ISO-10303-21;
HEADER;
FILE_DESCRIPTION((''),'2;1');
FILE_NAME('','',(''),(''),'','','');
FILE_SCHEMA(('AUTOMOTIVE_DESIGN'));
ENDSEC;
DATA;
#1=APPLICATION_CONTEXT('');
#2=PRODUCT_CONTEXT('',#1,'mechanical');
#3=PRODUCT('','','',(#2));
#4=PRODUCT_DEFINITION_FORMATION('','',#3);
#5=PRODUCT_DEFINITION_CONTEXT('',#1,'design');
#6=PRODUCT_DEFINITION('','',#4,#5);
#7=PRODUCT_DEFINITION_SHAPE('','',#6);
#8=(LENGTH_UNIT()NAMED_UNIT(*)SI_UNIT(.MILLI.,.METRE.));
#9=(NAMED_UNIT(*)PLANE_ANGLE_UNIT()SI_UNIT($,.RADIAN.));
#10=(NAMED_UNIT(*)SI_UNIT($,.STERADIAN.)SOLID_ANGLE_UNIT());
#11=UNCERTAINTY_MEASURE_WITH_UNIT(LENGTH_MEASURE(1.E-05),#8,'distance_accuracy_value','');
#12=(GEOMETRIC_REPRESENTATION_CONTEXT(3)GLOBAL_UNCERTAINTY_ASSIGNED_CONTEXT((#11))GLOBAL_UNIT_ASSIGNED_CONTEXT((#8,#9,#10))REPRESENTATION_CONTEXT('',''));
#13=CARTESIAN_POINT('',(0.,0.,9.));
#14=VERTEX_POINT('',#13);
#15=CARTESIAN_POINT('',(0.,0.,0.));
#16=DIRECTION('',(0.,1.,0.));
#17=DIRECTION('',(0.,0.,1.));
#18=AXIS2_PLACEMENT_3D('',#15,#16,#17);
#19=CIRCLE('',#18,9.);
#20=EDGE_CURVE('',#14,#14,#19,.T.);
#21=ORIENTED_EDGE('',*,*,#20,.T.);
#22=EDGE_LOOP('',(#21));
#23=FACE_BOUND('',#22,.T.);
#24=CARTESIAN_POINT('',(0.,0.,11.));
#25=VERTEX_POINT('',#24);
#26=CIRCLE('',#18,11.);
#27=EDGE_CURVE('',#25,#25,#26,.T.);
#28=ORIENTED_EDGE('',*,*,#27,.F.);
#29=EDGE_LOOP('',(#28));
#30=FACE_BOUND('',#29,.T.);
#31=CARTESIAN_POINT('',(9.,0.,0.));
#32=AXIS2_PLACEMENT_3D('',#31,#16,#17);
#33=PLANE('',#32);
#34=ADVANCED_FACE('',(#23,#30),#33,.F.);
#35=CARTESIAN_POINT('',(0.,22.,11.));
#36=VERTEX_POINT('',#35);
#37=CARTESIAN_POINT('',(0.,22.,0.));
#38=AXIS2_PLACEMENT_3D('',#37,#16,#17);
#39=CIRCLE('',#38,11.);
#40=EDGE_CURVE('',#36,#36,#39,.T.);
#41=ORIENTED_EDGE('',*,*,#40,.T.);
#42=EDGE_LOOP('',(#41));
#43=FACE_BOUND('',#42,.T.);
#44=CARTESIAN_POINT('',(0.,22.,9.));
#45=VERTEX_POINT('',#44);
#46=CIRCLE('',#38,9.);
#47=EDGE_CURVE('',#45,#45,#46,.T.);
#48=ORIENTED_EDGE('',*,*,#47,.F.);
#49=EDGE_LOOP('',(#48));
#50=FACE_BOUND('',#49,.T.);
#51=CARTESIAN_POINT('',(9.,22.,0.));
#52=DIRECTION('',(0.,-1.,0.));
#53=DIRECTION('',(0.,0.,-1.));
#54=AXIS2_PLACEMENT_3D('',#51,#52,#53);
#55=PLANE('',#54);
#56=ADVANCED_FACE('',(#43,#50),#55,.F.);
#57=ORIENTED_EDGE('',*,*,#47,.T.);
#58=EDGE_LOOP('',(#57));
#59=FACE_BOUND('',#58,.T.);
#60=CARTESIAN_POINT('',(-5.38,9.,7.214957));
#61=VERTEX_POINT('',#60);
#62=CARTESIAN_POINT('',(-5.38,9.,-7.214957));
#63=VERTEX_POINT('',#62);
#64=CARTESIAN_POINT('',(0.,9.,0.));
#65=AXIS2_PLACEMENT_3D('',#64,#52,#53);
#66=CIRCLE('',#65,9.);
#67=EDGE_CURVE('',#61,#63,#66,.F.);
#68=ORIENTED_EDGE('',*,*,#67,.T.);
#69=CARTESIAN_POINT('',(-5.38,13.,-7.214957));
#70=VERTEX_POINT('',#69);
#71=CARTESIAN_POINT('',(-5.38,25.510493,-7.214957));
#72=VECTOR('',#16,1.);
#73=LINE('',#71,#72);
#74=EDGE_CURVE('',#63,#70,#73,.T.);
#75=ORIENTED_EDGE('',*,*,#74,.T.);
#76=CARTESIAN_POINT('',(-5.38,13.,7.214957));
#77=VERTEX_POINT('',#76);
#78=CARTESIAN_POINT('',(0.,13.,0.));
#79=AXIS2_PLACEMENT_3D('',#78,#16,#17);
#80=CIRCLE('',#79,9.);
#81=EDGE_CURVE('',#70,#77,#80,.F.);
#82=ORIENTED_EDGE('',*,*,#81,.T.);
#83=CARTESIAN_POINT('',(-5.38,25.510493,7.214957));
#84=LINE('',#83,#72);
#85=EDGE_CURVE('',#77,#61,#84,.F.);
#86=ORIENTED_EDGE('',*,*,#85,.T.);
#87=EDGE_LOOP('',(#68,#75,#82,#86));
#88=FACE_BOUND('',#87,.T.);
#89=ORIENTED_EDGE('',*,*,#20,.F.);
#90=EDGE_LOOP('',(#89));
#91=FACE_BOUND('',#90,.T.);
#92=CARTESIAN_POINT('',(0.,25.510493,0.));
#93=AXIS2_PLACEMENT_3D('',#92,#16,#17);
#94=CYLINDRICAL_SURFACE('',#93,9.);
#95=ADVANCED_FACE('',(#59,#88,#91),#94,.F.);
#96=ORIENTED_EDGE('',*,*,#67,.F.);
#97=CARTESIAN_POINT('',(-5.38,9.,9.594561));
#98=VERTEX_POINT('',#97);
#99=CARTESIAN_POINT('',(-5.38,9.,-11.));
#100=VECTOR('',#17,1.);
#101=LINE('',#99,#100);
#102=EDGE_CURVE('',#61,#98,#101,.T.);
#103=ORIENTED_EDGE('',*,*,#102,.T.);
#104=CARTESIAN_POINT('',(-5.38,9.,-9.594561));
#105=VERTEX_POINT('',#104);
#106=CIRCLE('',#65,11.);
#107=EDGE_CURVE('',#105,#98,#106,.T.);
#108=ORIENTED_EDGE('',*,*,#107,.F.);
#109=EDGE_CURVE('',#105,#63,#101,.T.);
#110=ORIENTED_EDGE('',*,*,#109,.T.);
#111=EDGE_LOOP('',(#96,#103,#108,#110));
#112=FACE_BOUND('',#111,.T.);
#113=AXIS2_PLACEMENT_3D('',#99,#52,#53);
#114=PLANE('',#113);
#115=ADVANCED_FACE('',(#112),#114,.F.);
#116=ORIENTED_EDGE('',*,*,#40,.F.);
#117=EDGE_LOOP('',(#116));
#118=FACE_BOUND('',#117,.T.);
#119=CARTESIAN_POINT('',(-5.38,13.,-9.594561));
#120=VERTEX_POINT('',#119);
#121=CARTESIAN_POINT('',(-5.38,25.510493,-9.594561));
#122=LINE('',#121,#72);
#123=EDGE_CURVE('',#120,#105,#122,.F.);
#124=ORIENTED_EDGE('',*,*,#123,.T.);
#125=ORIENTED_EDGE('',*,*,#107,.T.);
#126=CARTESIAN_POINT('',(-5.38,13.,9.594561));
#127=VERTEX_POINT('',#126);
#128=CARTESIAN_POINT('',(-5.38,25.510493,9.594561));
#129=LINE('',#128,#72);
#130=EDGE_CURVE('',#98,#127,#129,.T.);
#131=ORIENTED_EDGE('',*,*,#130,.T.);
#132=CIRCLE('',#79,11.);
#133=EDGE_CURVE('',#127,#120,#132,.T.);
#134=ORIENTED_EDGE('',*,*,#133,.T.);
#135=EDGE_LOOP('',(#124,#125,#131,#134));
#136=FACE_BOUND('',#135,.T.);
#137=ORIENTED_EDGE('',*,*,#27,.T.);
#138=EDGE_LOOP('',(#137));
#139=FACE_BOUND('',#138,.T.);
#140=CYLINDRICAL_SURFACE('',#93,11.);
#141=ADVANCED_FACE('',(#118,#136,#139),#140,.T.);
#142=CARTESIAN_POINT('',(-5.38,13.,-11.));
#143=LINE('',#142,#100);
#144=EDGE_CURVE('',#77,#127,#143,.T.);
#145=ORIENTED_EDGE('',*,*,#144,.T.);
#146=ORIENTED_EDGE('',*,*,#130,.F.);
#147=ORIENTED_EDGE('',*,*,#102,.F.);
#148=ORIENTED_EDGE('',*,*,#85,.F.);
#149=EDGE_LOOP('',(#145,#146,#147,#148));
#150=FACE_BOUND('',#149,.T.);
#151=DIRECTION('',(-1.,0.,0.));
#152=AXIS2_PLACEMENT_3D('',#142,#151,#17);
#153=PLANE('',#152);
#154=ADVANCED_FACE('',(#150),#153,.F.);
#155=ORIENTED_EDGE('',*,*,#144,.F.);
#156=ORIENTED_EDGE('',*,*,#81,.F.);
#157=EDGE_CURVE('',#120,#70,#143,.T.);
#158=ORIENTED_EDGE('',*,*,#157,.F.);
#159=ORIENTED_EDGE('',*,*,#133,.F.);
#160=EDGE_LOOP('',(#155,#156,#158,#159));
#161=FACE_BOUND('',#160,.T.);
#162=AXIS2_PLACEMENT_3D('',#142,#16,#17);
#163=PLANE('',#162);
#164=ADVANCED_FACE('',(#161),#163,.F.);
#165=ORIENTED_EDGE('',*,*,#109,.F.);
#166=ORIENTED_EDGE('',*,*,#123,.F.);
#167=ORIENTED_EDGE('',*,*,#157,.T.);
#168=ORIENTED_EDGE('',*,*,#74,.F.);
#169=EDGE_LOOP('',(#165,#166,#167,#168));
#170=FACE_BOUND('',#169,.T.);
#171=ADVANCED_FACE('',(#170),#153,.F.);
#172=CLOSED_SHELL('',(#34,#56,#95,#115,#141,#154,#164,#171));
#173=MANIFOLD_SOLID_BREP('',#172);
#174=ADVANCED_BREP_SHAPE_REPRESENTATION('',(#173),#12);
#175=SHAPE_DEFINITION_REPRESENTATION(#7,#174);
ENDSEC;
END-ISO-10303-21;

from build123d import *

# Parameters (mm, degrees)
SKETCH_1_W               = 2
SKETCH_1_H               = 22
CUT_EXTRUDE_1_DEPTH      = 27.944387171
CUT_EXTRUDE_1_DEPTH_BACK = 27.944387171
SKETCH_2_W               = 17
SKETCH_2_H               = 4


with BuildPart() as part:
    # 草图1 → 旋转1 (revolve)
    with BuildSketch(Plane.XY, mode=Mode.PRIVATE) as revolve_1_sk:
        with Locations((10, 11)):
            Rectangle(SKETCH_1_W, SKETCH_1_H)
    revolve(revolve_1_sk.sketch.rotate(Axis((0, 25.51049322, 0), (0, -1, 0)), 90), axis=Axis((0, 25.51049322, 0), (0, -1, 0)))

    # 草图2 → 切除-拉伸1 (cut, two sides: drawn at the far end of the back side and taken through both)
    with BuildSketch(Plane.XY.offset(-CUT_EXTRUDE_1_DEPTH_BACK)):
        with Locations((3.12, 11)):
            Rectangle(SKETCH_2_W, SKETCH_2_H)
    extrude(amount=CUT_EXTRUDE_1_DEPTH + CUT_EXTRUDE_1_DEPTH_BACK, mode=Mode.SUBTRACT)


solid = part.part
